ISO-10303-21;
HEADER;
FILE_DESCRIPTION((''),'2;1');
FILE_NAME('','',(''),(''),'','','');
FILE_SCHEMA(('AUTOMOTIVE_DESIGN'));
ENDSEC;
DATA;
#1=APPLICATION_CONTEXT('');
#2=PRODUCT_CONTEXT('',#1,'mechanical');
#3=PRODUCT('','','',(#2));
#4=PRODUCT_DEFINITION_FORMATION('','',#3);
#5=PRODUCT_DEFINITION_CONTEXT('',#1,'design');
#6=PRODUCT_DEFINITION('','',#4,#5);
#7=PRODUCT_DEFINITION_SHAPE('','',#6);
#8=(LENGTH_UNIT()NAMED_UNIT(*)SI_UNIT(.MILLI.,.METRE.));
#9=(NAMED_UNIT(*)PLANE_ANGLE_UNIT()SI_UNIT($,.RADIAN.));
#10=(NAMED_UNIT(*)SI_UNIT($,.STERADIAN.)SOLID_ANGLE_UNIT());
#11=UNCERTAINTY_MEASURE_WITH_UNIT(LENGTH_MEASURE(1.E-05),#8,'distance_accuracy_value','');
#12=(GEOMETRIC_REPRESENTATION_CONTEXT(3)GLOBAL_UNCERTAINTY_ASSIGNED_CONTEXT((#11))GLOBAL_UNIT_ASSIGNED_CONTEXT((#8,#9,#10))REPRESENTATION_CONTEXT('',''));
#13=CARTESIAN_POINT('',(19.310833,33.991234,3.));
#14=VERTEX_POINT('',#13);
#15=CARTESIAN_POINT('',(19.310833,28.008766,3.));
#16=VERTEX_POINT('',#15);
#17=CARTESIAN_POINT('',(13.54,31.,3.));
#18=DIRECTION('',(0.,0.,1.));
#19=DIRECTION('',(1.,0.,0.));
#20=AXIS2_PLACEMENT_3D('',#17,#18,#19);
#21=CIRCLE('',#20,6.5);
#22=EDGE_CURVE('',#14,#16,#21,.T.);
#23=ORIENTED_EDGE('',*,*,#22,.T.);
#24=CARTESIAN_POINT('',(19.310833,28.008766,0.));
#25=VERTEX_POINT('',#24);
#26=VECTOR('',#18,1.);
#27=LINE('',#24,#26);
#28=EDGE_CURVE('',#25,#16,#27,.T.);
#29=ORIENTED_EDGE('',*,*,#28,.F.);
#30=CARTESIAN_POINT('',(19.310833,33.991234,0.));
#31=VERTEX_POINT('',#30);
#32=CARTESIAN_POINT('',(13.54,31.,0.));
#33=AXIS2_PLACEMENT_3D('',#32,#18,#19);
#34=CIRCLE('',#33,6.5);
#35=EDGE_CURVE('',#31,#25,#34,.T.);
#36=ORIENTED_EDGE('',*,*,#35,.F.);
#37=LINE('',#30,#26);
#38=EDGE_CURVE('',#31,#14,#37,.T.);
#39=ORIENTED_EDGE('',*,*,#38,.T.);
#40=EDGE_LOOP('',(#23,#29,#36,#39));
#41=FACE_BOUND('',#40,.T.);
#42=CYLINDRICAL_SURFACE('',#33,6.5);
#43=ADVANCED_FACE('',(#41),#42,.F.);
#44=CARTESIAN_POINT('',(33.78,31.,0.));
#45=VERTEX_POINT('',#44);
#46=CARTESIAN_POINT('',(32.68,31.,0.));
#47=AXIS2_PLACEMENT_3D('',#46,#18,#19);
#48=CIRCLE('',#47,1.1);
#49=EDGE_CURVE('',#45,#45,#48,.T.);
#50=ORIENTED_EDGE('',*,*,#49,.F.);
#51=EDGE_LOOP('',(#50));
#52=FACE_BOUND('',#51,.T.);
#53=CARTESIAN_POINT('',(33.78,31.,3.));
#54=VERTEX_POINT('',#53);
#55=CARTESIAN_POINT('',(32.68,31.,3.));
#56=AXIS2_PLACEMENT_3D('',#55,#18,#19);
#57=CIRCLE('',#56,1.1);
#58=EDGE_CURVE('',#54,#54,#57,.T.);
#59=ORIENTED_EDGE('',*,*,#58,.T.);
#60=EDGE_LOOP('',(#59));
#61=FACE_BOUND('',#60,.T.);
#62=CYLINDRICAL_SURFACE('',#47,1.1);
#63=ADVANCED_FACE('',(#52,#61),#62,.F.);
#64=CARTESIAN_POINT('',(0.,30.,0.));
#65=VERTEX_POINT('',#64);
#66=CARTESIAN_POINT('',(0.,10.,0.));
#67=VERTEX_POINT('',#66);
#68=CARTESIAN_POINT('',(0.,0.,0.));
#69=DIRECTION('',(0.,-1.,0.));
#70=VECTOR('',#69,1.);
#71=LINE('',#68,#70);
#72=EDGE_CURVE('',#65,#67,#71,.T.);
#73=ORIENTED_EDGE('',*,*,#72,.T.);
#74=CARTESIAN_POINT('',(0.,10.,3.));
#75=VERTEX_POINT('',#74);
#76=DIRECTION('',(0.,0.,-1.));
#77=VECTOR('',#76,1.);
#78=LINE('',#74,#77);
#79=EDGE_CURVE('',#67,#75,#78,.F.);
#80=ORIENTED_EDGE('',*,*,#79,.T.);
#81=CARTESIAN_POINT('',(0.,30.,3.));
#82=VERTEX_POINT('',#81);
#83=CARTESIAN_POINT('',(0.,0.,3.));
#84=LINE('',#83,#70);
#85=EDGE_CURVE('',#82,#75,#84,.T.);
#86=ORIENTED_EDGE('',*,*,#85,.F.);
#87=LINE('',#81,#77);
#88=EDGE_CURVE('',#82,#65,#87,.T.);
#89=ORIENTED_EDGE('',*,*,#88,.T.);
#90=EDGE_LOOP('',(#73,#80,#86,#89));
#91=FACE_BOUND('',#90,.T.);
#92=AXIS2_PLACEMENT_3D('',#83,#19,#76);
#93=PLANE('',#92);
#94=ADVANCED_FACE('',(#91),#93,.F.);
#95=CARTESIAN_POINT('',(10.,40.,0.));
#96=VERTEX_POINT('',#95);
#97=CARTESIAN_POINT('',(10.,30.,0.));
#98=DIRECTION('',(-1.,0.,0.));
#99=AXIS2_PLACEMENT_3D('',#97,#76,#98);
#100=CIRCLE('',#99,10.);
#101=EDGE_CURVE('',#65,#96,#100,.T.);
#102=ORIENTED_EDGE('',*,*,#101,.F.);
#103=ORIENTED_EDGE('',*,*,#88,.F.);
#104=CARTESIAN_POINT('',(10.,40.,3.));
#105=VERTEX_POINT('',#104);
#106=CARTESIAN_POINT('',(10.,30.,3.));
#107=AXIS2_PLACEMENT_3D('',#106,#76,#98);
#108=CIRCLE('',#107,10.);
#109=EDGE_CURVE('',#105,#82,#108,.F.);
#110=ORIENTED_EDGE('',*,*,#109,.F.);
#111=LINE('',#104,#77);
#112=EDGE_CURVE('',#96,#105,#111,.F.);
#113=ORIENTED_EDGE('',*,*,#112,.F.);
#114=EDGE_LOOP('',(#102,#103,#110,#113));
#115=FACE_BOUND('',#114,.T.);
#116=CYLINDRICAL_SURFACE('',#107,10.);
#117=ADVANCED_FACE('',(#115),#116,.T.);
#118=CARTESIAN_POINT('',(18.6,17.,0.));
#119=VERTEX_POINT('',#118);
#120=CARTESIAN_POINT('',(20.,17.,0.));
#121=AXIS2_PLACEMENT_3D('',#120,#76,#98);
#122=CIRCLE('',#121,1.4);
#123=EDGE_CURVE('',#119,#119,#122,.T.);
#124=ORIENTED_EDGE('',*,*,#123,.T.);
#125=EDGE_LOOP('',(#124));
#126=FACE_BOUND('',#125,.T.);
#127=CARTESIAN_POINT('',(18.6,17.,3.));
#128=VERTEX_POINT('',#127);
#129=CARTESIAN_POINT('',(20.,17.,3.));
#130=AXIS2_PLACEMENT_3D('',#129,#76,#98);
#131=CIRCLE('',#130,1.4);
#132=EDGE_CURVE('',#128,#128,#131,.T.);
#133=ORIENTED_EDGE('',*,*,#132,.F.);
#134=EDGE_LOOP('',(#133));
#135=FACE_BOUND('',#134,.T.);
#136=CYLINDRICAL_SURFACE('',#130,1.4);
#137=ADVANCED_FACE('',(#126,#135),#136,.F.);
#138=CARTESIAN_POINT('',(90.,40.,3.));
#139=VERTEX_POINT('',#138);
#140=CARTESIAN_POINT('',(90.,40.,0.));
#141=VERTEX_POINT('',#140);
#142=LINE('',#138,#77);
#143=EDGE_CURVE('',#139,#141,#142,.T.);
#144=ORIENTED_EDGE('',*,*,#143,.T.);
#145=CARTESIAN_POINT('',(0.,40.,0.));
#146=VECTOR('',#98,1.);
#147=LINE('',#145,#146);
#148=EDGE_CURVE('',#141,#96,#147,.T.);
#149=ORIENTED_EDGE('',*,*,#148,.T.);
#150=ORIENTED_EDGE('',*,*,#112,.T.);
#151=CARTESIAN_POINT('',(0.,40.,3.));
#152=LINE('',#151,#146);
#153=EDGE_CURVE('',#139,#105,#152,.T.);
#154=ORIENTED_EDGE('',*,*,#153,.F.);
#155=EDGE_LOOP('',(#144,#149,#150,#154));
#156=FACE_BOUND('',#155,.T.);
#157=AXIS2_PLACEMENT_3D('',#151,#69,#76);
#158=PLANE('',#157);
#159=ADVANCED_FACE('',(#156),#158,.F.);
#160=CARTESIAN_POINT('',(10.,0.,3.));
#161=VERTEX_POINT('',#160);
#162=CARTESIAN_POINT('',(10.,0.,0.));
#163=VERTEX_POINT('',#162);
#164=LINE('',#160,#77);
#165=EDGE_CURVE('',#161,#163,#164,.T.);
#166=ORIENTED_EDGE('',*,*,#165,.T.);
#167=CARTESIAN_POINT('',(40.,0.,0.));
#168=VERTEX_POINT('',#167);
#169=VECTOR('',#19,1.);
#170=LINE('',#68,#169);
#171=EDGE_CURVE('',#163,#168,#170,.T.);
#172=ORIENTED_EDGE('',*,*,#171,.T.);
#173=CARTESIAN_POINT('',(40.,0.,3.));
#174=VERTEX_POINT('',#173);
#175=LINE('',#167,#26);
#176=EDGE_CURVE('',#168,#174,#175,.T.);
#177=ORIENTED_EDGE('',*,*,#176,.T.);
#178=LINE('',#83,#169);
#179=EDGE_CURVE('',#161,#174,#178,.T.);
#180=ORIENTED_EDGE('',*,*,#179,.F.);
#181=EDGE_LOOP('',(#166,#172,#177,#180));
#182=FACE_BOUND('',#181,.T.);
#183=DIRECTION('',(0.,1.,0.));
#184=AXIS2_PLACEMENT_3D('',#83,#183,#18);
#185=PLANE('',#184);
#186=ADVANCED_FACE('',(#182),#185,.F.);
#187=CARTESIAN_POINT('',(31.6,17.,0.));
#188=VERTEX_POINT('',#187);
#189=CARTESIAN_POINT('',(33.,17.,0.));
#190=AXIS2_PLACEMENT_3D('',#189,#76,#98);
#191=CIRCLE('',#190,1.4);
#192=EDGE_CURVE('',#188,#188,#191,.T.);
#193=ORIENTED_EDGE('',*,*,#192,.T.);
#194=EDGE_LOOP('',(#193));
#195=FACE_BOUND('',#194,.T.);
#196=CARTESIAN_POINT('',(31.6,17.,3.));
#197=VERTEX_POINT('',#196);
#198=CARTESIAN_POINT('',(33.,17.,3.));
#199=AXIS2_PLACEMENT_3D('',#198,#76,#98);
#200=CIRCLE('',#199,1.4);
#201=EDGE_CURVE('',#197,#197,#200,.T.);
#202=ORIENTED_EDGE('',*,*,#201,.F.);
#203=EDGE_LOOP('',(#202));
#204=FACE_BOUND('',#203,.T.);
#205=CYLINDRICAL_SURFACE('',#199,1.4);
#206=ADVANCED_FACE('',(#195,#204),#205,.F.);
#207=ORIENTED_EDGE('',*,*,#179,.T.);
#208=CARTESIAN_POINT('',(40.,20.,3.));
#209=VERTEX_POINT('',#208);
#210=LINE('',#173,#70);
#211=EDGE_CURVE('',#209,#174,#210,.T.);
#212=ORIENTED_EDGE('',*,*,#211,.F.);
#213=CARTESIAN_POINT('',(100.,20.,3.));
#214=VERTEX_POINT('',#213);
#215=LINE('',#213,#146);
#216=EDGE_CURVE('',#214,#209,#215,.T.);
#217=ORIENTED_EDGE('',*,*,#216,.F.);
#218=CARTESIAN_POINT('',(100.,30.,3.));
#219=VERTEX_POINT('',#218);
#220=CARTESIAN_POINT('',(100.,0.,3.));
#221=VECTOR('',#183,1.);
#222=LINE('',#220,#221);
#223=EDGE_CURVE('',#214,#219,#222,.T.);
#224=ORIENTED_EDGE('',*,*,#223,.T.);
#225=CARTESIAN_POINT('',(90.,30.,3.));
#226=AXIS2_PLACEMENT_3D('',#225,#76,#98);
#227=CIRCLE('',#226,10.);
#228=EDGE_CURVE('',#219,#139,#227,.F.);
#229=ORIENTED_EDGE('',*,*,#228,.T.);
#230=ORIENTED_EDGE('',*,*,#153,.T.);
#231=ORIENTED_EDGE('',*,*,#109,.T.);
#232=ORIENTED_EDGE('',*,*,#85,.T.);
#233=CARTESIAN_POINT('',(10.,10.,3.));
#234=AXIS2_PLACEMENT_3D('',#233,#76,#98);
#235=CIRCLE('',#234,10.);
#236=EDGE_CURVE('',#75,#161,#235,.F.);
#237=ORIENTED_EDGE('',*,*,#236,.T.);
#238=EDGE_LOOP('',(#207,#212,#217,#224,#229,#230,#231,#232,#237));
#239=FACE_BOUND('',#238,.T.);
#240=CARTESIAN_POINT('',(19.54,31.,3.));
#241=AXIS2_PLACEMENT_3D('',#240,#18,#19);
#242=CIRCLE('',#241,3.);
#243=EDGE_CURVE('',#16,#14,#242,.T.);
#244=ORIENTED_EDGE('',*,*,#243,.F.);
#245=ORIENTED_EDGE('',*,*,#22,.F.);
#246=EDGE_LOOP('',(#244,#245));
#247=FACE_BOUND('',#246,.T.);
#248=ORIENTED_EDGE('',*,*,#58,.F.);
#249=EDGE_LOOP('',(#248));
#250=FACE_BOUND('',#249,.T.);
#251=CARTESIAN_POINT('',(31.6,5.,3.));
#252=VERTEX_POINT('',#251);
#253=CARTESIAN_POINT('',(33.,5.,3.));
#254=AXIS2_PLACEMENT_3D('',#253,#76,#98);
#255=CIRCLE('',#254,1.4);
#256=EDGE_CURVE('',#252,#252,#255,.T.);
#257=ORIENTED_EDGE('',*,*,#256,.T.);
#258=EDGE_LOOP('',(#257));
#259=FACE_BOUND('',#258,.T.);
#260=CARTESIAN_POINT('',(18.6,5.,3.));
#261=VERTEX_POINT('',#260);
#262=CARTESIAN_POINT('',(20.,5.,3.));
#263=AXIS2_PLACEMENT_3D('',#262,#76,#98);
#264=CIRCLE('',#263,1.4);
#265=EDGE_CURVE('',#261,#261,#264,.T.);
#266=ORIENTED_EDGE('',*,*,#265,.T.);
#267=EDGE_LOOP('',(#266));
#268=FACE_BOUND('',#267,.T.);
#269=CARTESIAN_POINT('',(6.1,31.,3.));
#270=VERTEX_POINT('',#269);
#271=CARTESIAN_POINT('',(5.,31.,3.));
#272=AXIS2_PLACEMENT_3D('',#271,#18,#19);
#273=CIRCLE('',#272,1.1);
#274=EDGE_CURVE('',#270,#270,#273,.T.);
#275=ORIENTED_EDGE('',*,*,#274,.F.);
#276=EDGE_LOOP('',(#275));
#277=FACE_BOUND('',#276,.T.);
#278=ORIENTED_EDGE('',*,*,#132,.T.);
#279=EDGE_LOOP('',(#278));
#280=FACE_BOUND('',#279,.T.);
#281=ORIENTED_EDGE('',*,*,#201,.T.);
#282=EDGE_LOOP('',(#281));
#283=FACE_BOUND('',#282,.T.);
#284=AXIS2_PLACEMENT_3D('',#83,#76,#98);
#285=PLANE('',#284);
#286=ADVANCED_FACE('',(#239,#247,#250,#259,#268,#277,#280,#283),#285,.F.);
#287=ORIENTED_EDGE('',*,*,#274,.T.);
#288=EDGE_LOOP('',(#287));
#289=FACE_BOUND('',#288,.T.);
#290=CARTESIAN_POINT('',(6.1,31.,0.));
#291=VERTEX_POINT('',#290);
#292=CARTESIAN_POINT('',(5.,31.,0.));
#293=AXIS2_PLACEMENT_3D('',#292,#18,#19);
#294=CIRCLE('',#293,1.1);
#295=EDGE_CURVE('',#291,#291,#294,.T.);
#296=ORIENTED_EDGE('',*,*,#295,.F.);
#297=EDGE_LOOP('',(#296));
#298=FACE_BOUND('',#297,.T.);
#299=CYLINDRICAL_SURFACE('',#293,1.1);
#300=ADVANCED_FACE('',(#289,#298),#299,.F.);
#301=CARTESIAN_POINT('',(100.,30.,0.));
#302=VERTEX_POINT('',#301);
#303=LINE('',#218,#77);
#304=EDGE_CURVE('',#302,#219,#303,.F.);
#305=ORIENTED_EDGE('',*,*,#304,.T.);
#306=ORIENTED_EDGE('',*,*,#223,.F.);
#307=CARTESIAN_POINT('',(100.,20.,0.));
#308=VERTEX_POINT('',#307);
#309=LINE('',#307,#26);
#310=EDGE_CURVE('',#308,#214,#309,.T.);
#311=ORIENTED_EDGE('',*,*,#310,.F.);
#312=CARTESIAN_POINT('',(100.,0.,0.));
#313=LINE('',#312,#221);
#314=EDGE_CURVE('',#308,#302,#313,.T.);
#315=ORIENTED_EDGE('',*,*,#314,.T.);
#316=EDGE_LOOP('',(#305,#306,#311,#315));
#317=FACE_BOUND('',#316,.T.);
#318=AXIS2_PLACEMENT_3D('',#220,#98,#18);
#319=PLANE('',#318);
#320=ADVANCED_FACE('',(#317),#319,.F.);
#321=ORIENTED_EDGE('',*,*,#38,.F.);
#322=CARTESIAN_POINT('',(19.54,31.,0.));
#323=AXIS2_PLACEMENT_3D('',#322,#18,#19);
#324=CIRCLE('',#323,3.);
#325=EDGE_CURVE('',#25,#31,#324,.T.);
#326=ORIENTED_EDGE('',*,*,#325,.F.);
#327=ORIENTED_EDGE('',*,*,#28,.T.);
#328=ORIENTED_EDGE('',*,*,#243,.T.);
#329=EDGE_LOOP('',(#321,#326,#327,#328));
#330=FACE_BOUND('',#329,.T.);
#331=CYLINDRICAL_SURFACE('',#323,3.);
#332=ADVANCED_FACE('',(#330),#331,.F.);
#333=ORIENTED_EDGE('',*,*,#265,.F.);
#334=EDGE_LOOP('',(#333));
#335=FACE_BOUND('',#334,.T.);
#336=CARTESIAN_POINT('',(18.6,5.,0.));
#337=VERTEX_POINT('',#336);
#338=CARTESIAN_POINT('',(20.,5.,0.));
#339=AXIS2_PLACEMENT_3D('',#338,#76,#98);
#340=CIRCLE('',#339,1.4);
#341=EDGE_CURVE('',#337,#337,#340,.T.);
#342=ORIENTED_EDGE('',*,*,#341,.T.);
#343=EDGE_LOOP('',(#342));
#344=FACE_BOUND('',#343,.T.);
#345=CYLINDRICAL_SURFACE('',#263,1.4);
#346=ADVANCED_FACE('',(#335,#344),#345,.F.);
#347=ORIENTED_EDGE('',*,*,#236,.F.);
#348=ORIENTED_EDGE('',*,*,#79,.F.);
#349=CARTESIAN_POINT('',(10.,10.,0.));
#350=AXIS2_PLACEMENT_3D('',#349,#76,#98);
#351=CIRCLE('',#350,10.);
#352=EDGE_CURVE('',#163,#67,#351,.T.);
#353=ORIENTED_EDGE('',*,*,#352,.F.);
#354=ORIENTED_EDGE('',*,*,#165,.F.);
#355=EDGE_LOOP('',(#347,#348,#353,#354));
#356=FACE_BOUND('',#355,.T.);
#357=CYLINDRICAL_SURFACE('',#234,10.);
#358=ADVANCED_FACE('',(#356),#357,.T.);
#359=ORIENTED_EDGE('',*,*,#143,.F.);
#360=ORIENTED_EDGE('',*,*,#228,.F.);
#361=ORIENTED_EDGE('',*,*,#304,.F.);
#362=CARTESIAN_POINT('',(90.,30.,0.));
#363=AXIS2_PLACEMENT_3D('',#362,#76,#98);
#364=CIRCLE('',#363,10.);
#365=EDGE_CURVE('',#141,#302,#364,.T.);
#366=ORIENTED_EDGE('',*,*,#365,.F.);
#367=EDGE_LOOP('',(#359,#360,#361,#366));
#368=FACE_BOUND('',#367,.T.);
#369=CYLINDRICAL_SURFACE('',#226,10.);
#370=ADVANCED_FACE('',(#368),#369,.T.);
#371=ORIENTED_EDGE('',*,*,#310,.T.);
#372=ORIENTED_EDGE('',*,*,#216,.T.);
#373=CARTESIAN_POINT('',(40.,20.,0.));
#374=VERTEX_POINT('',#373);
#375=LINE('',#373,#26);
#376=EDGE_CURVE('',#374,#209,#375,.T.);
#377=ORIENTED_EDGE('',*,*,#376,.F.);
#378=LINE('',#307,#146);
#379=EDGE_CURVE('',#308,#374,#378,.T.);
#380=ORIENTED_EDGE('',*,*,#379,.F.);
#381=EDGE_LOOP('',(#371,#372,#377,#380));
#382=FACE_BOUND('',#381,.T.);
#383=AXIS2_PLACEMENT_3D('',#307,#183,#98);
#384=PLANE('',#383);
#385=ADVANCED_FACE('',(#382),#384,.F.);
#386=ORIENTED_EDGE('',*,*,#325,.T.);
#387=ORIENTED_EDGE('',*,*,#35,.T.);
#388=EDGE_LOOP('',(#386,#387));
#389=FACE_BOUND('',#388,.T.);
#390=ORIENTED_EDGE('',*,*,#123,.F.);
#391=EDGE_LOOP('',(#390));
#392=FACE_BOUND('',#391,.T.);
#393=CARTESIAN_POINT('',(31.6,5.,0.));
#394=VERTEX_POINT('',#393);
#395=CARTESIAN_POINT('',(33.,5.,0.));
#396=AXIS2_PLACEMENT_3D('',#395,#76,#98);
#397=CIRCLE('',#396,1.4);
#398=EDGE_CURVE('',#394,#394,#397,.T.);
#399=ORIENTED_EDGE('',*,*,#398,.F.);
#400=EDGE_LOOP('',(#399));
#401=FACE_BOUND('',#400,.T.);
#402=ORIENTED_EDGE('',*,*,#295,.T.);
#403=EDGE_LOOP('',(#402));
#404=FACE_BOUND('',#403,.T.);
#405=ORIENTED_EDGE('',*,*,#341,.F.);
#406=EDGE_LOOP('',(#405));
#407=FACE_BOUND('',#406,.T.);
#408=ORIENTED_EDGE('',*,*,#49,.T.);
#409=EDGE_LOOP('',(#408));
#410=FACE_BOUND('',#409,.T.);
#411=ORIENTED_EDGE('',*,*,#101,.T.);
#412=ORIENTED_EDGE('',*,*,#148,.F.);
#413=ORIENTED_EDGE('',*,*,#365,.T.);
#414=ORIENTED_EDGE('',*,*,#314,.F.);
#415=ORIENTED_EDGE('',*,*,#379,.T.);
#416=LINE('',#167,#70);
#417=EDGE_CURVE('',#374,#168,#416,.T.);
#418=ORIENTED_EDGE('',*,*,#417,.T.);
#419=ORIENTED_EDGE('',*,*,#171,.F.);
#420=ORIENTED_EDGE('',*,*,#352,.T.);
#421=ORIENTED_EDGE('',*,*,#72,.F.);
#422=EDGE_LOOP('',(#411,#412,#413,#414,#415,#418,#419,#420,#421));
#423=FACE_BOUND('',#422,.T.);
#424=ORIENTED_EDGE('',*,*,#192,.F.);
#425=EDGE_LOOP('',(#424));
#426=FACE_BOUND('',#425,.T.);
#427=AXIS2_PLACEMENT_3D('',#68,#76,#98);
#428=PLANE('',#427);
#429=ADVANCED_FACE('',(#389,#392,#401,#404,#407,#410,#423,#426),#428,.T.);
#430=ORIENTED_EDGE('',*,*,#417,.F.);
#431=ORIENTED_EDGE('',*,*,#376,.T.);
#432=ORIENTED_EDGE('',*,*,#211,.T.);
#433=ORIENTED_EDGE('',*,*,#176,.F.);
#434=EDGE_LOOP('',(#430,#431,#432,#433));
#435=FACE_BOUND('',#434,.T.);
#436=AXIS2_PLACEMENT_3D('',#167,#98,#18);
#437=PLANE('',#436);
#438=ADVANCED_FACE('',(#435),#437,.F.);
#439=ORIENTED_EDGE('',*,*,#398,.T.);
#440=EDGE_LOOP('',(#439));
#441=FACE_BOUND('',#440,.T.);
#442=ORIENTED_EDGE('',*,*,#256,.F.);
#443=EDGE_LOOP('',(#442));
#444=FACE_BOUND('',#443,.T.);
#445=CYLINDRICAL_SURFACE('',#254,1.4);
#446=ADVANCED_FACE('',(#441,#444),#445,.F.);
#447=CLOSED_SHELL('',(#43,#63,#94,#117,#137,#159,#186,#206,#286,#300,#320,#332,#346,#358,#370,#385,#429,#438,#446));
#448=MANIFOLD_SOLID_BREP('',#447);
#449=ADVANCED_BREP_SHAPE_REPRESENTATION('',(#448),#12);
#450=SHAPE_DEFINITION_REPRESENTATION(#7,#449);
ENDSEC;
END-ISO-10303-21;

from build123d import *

# Parameters (mm, degrees)
SKETCH_1_W          = 100
SKETCH_1_H          = 40
EXTRUDE_1_DEPTH     = 3
SKETCH_6_R          = 1.4
CUT_EXTRUDE_4_DEPTH = 3
SKETCH_7_W          = 60
SKETCH_7_H          = 20
CUT_EXTRUDE_5_DEPTH = 3
SKETCH_8_R          = 3
SKETCH_8_R_2        = 6.5
SKETCH_8_R_3        = 1.1
CUT_EXTRUDE_6_DEPTH = 3
FILLET_1_R          = 10


with BuildPart() as part:
    # 草图1 → 凸台-拉伸1 (new body)
    with BuildSketch(Plane.XY):
        with Locations((50, 20)):
            Rectangle(SKETCH_1_W, SKETCH_1_H)
    extrude(amount=EXTRUDE_1_DEPTH)

    # 草图6 → 切除-拉伸4 (cut)
    with BuildSketch(Plane(origin=(0, 0, 0), x_dir=(-1, 0, 0), z_dir=(0, 0, -1))):
        with Locations((-20, 5)):
            Circle(SKETCH_6_R)
        with Locations((-20, 17)):
            Circle(SKETCH_6_R)
        with Locations((-33, 17)):
            Circle(SKETCH_6_R)
        with Locations((-33, 5)):
            Circle(SKETCH_6_R)
    extrude(amount=-CUT_EXTRUDE_4_DEPTH, mode=Mode.SUBTRACT)

    # 草图7 → 切除-拉伸5 (cut)
    with BuildSketch(Plane.XY.offset(3)):
        with Locations((70, 10)):
            Rectangle(SKETCH_7_W, SKETCH_7_H)
    extrude(amount=-CUT_EXTRUDE_5_DEPTH, mode=Mode.SUBTRACT)

    # 草图8 → 切除-拉伸6 (cut)
    with BuildSketch(Plane.XY.offset(3)):
        with Locations((19.54, 31)):
            Circle(SKETCH_8_R)
        with Locations((13.54, 31)):
            Circle(SKETCH_8_R_2)
        with Locations((5, 31)):
            Circle(SKETCH_8_R_3)
        with Locations((32.68, 31)):
            Circle(SKETCH_8_R_3)
    extrude(amount=-CUT_EXTRUDE_6_DEPTH, mode=Mode.SUBTRACT)

    # 圆角1
    fillet_1_edges = [part.edges().sort_by_distance(p)[0] for p in [
        (0, 40, 1.5),
        (100, 40, 1.5),
        (0, 0, 1.5),
    ]]
    fillet(fillet_1_edges, radius=FILLET_1_R)


solid = part.part
